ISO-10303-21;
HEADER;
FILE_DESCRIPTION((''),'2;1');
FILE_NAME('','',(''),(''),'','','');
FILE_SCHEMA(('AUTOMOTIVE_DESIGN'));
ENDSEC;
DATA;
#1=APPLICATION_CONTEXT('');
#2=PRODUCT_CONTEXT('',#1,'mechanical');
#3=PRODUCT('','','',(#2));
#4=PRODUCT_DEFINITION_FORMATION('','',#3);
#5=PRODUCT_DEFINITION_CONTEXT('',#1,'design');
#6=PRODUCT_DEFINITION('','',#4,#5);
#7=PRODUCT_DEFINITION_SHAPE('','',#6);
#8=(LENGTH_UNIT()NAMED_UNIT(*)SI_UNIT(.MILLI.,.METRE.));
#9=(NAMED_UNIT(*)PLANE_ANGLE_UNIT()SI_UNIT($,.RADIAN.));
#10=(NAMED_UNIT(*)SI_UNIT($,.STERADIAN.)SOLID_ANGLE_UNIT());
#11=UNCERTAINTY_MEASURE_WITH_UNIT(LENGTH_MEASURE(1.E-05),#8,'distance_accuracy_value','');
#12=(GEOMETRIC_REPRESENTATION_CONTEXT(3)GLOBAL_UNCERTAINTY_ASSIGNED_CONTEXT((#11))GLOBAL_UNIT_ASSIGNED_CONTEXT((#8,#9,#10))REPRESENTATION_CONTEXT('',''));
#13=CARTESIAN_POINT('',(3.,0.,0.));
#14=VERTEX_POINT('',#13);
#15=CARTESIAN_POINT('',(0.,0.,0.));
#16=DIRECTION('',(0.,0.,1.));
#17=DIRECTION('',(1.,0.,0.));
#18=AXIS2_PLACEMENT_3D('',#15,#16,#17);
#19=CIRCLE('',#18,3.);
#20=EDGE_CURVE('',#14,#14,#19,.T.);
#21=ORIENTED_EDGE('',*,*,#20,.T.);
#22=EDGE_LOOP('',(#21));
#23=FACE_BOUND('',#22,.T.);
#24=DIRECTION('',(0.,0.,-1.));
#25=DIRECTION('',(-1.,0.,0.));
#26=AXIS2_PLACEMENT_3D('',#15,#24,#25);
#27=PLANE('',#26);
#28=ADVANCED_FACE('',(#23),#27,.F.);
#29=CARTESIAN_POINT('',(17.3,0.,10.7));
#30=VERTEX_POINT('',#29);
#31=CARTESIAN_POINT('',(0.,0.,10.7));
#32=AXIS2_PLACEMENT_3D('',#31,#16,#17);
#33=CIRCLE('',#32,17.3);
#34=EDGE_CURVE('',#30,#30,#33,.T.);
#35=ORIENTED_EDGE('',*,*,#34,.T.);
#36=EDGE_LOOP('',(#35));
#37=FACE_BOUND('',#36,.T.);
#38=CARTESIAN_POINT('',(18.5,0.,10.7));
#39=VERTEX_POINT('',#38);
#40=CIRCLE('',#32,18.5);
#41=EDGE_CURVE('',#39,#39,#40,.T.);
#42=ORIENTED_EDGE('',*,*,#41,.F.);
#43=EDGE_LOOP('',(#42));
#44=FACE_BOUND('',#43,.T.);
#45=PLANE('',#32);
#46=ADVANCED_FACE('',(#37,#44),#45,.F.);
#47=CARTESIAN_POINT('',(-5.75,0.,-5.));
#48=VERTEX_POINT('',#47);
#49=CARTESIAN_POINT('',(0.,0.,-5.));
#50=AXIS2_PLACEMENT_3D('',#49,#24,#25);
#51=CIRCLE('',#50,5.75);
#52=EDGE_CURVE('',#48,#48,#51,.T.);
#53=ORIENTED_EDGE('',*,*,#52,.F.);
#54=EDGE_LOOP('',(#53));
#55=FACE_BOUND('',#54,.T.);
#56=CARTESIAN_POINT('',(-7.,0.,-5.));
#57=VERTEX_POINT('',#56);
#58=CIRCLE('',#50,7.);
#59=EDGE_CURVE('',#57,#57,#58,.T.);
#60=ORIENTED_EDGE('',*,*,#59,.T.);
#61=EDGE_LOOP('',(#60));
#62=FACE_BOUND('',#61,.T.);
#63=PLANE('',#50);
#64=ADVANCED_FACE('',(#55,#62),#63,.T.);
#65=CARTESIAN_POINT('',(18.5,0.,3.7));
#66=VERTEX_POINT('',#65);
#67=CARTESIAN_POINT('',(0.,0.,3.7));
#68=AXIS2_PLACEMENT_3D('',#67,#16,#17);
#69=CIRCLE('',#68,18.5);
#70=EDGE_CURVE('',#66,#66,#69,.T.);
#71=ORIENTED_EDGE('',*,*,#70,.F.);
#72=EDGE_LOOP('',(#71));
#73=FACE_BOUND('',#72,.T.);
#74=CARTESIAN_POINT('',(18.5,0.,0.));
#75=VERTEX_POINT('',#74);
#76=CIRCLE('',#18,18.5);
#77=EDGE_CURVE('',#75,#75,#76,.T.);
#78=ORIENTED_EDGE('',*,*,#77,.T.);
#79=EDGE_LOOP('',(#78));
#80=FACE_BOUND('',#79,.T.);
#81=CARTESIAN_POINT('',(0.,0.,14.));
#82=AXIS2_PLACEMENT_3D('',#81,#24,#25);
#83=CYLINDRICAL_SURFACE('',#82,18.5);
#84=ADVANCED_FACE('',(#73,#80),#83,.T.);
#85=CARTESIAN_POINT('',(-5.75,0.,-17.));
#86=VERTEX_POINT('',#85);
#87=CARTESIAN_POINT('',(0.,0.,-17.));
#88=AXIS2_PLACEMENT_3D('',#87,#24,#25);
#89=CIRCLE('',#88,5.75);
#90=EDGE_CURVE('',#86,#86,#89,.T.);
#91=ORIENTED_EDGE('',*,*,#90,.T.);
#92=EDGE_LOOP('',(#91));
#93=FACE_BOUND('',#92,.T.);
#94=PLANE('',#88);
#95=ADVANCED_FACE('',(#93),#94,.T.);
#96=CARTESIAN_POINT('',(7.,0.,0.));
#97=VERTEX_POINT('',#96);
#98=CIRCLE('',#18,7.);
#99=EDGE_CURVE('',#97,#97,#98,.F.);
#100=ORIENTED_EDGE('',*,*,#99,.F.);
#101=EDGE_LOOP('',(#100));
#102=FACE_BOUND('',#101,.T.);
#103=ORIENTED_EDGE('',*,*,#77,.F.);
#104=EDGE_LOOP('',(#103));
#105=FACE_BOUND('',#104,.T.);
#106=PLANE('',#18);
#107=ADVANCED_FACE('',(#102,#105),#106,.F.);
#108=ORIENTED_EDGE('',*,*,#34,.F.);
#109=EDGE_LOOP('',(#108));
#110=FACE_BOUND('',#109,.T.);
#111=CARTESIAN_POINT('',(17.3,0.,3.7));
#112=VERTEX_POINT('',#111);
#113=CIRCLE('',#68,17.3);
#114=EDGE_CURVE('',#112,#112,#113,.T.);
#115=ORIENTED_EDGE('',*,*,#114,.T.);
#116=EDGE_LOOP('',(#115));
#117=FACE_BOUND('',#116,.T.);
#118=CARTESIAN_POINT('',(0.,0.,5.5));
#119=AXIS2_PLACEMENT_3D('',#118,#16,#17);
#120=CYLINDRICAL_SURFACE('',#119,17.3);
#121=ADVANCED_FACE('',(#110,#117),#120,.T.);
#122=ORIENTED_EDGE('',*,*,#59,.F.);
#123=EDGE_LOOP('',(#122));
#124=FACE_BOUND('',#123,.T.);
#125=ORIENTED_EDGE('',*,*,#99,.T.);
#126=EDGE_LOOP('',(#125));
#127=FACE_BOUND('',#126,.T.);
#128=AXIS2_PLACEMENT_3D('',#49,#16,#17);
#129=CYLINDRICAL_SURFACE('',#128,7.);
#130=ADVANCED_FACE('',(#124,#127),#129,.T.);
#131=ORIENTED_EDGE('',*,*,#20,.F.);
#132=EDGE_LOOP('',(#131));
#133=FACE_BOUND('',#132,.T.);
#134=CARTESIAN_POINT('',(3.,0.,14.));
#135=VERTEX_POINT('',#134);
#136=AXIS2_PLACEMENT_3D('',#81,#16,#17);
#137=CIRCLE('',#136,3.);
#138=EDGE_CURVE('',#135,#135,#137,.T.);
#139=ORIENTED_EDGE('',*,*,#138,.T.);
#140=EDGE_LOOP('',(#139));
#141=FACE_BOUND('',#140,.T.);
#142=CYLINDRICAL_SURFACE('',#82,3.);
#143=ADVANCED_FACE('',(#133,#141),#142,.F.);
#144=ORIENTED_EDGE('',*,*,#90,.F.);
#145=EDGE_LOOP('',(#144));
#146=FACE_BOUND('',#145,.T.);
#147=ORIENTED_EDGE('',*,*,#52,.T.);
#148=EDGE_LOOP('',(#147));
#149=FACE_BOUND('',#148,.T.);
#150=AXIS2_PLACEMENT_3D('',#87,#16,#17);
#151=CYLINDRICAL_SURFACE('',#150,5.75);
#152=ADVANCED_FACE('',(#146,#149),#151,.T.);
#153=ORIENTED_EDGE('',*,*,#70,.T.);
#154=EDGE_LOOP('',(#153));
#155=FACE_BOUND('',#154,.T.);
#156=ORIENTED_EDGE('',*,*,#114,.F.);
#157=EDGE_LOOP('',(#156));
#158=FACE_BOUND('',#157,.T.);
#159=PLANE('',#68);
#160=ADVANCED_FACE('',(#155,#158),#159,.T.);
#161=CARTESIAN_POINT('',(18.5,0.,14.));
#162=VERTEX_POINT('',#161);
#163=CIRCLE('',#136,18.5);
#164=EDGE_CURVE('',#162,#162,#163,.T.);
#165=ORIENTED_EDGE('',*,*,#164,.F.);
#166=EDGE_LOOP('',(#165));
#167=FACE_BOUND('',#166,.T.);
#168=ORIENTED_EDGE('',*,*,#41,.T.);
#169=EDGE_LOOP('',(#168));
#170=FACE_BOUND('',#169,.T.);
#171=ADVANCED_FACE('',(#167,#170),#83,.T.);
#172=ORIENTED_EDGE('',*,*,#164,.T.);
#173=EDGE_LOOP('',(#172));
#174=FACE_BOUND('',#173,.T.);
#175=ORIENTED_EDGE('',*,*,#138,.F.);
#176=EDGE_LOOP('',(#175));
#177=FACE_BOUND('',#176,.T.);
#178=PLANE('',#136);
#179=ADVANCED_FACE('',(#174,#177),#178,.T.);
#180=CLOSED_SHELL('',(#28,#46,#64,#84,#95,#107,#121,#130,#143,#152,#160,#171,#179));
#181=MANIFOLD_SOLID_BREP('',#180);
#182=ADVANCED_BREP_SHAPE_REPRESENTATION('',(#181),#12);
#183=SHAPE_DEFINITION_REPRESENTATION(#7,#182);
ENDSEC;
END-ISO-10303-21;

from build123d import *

# Parameters (mm, degrees)
SKETCH_1_R          = 18.5
SKETCH_1_R_2        = 3
EXTRUDE_1_DEPTH     = 14
CUT_EXTRUDE_START   = -2.2
SKETCH_2_R          = 18.5
SKETCH_2_R_2        = 17.3
CUT_EXTRUDE_1_DEPTH = 2.2
SKETCH_2_2_R        = 18.5
SKETCH_2_2_R_2      = 17.3
CUT_EXTRUDE_2_DEPTH = 0.8
CUT_EXTRUDE_START_2 = -4
SKETCH_2_4_R        = 18.5
SKETCH_2_4_R_2      = 17.3
CUT_EXTRUDE_3_DEPTH = 4
SKETCH_2_6_R        = 18.5
SKETCH_2_6_R_2      = 17.3
CUT_EXTRUDE_5_DEPTH = 3
SKETCH_3_R          = 7
EXTRUDE_3_DEPTH     = 5
SKETCH_4_R          = 5.75
EXTRUDE_4_DEPTH     = 12


with BuildPart() as part:
    # 草图1 → 凸台-拉伸1 (new body)
    with BuildSketch(Plane.XY):
        Circle(SKETCH_1_R)
        Circle(SKETCH_1_R_2, mode=Mode.SUBTRACT)
    extrude(amount=EXTRUDE_1_DEPTH)

    # 草图2 → 切除-拉伸1 (cut)
    with BuildSketch(Plane.XY.offset(7.7).offset(CUT_EXTRUDE_START)):
        Circle(SKETCH_2_R)
        Circle(SKETCH_2_R_2, mode=Mode.SUBTRACT)
    extrude(amount=CUT_EXTRUDE_1_DEPTH, mode=Mode.SUBTRACT)

    # 草图2<2> → 切除-拉伸2 (cut)
    with BuildSketch(Plane.XY.offset(7.7)):
        Circle(SKETCH_2_2_R)
        Circle(SKETCH_2_2_R_2, mode=Mode.SUBTRACT)
    extrude(amount=CUT_EXTRUDE_2_DEPTH, mode=Mode.SUBTRACT)

    # 草图2<4> → 切除-拉伸3 (cut)
    with BuildSketch(Plane.XY.offset(7.7).offset(CUT_EXTRUDE_START_2)):
        Circle(SKETCH_2_4_R)
        Circle(SKETCH_2_4_R_2, mode=Mode.SUBTRACT)
    extrude(amount=CUT_EXTRUDE_3_DEPTH, mode=Mode.SUBTRACT)

    # 草图2<6> → 切除-拉伸5 (cut)
    with BuildSketch(Plane.XY.offset(7.7)):
        Circle(SKETCH_2_6_R)
        Circle(SKETCH_2_6_R_2, mode=Mode.SUBTRACT)
    extrude(amount=CUT_EXTRUDE_5_DEPTH, mode=Mode.SUBTRACT)

    # 草图3 → 凸台-拉伸3 (add)
    with BuildSketch(Plane(origin=(0, 0, 0), x_dir=(-1, 0, 0), z_dir=(0, 0, -1))):
        Circle(SKETCH_3_R)
    extrude(amount=EXTRUDE_3_DEPTH)

    # 草图4 → 凸台-拉伸4 (add)
    with BuildSketch(Plane(origin=(0, 0, -5), x_dir=(-1, 0, 0), z_dir=(0, 0, -1))):
        Circle(SKETCH_4_R)
    extrude(amount=EXTRUDE_4_DEPTH)


solid = part.part
